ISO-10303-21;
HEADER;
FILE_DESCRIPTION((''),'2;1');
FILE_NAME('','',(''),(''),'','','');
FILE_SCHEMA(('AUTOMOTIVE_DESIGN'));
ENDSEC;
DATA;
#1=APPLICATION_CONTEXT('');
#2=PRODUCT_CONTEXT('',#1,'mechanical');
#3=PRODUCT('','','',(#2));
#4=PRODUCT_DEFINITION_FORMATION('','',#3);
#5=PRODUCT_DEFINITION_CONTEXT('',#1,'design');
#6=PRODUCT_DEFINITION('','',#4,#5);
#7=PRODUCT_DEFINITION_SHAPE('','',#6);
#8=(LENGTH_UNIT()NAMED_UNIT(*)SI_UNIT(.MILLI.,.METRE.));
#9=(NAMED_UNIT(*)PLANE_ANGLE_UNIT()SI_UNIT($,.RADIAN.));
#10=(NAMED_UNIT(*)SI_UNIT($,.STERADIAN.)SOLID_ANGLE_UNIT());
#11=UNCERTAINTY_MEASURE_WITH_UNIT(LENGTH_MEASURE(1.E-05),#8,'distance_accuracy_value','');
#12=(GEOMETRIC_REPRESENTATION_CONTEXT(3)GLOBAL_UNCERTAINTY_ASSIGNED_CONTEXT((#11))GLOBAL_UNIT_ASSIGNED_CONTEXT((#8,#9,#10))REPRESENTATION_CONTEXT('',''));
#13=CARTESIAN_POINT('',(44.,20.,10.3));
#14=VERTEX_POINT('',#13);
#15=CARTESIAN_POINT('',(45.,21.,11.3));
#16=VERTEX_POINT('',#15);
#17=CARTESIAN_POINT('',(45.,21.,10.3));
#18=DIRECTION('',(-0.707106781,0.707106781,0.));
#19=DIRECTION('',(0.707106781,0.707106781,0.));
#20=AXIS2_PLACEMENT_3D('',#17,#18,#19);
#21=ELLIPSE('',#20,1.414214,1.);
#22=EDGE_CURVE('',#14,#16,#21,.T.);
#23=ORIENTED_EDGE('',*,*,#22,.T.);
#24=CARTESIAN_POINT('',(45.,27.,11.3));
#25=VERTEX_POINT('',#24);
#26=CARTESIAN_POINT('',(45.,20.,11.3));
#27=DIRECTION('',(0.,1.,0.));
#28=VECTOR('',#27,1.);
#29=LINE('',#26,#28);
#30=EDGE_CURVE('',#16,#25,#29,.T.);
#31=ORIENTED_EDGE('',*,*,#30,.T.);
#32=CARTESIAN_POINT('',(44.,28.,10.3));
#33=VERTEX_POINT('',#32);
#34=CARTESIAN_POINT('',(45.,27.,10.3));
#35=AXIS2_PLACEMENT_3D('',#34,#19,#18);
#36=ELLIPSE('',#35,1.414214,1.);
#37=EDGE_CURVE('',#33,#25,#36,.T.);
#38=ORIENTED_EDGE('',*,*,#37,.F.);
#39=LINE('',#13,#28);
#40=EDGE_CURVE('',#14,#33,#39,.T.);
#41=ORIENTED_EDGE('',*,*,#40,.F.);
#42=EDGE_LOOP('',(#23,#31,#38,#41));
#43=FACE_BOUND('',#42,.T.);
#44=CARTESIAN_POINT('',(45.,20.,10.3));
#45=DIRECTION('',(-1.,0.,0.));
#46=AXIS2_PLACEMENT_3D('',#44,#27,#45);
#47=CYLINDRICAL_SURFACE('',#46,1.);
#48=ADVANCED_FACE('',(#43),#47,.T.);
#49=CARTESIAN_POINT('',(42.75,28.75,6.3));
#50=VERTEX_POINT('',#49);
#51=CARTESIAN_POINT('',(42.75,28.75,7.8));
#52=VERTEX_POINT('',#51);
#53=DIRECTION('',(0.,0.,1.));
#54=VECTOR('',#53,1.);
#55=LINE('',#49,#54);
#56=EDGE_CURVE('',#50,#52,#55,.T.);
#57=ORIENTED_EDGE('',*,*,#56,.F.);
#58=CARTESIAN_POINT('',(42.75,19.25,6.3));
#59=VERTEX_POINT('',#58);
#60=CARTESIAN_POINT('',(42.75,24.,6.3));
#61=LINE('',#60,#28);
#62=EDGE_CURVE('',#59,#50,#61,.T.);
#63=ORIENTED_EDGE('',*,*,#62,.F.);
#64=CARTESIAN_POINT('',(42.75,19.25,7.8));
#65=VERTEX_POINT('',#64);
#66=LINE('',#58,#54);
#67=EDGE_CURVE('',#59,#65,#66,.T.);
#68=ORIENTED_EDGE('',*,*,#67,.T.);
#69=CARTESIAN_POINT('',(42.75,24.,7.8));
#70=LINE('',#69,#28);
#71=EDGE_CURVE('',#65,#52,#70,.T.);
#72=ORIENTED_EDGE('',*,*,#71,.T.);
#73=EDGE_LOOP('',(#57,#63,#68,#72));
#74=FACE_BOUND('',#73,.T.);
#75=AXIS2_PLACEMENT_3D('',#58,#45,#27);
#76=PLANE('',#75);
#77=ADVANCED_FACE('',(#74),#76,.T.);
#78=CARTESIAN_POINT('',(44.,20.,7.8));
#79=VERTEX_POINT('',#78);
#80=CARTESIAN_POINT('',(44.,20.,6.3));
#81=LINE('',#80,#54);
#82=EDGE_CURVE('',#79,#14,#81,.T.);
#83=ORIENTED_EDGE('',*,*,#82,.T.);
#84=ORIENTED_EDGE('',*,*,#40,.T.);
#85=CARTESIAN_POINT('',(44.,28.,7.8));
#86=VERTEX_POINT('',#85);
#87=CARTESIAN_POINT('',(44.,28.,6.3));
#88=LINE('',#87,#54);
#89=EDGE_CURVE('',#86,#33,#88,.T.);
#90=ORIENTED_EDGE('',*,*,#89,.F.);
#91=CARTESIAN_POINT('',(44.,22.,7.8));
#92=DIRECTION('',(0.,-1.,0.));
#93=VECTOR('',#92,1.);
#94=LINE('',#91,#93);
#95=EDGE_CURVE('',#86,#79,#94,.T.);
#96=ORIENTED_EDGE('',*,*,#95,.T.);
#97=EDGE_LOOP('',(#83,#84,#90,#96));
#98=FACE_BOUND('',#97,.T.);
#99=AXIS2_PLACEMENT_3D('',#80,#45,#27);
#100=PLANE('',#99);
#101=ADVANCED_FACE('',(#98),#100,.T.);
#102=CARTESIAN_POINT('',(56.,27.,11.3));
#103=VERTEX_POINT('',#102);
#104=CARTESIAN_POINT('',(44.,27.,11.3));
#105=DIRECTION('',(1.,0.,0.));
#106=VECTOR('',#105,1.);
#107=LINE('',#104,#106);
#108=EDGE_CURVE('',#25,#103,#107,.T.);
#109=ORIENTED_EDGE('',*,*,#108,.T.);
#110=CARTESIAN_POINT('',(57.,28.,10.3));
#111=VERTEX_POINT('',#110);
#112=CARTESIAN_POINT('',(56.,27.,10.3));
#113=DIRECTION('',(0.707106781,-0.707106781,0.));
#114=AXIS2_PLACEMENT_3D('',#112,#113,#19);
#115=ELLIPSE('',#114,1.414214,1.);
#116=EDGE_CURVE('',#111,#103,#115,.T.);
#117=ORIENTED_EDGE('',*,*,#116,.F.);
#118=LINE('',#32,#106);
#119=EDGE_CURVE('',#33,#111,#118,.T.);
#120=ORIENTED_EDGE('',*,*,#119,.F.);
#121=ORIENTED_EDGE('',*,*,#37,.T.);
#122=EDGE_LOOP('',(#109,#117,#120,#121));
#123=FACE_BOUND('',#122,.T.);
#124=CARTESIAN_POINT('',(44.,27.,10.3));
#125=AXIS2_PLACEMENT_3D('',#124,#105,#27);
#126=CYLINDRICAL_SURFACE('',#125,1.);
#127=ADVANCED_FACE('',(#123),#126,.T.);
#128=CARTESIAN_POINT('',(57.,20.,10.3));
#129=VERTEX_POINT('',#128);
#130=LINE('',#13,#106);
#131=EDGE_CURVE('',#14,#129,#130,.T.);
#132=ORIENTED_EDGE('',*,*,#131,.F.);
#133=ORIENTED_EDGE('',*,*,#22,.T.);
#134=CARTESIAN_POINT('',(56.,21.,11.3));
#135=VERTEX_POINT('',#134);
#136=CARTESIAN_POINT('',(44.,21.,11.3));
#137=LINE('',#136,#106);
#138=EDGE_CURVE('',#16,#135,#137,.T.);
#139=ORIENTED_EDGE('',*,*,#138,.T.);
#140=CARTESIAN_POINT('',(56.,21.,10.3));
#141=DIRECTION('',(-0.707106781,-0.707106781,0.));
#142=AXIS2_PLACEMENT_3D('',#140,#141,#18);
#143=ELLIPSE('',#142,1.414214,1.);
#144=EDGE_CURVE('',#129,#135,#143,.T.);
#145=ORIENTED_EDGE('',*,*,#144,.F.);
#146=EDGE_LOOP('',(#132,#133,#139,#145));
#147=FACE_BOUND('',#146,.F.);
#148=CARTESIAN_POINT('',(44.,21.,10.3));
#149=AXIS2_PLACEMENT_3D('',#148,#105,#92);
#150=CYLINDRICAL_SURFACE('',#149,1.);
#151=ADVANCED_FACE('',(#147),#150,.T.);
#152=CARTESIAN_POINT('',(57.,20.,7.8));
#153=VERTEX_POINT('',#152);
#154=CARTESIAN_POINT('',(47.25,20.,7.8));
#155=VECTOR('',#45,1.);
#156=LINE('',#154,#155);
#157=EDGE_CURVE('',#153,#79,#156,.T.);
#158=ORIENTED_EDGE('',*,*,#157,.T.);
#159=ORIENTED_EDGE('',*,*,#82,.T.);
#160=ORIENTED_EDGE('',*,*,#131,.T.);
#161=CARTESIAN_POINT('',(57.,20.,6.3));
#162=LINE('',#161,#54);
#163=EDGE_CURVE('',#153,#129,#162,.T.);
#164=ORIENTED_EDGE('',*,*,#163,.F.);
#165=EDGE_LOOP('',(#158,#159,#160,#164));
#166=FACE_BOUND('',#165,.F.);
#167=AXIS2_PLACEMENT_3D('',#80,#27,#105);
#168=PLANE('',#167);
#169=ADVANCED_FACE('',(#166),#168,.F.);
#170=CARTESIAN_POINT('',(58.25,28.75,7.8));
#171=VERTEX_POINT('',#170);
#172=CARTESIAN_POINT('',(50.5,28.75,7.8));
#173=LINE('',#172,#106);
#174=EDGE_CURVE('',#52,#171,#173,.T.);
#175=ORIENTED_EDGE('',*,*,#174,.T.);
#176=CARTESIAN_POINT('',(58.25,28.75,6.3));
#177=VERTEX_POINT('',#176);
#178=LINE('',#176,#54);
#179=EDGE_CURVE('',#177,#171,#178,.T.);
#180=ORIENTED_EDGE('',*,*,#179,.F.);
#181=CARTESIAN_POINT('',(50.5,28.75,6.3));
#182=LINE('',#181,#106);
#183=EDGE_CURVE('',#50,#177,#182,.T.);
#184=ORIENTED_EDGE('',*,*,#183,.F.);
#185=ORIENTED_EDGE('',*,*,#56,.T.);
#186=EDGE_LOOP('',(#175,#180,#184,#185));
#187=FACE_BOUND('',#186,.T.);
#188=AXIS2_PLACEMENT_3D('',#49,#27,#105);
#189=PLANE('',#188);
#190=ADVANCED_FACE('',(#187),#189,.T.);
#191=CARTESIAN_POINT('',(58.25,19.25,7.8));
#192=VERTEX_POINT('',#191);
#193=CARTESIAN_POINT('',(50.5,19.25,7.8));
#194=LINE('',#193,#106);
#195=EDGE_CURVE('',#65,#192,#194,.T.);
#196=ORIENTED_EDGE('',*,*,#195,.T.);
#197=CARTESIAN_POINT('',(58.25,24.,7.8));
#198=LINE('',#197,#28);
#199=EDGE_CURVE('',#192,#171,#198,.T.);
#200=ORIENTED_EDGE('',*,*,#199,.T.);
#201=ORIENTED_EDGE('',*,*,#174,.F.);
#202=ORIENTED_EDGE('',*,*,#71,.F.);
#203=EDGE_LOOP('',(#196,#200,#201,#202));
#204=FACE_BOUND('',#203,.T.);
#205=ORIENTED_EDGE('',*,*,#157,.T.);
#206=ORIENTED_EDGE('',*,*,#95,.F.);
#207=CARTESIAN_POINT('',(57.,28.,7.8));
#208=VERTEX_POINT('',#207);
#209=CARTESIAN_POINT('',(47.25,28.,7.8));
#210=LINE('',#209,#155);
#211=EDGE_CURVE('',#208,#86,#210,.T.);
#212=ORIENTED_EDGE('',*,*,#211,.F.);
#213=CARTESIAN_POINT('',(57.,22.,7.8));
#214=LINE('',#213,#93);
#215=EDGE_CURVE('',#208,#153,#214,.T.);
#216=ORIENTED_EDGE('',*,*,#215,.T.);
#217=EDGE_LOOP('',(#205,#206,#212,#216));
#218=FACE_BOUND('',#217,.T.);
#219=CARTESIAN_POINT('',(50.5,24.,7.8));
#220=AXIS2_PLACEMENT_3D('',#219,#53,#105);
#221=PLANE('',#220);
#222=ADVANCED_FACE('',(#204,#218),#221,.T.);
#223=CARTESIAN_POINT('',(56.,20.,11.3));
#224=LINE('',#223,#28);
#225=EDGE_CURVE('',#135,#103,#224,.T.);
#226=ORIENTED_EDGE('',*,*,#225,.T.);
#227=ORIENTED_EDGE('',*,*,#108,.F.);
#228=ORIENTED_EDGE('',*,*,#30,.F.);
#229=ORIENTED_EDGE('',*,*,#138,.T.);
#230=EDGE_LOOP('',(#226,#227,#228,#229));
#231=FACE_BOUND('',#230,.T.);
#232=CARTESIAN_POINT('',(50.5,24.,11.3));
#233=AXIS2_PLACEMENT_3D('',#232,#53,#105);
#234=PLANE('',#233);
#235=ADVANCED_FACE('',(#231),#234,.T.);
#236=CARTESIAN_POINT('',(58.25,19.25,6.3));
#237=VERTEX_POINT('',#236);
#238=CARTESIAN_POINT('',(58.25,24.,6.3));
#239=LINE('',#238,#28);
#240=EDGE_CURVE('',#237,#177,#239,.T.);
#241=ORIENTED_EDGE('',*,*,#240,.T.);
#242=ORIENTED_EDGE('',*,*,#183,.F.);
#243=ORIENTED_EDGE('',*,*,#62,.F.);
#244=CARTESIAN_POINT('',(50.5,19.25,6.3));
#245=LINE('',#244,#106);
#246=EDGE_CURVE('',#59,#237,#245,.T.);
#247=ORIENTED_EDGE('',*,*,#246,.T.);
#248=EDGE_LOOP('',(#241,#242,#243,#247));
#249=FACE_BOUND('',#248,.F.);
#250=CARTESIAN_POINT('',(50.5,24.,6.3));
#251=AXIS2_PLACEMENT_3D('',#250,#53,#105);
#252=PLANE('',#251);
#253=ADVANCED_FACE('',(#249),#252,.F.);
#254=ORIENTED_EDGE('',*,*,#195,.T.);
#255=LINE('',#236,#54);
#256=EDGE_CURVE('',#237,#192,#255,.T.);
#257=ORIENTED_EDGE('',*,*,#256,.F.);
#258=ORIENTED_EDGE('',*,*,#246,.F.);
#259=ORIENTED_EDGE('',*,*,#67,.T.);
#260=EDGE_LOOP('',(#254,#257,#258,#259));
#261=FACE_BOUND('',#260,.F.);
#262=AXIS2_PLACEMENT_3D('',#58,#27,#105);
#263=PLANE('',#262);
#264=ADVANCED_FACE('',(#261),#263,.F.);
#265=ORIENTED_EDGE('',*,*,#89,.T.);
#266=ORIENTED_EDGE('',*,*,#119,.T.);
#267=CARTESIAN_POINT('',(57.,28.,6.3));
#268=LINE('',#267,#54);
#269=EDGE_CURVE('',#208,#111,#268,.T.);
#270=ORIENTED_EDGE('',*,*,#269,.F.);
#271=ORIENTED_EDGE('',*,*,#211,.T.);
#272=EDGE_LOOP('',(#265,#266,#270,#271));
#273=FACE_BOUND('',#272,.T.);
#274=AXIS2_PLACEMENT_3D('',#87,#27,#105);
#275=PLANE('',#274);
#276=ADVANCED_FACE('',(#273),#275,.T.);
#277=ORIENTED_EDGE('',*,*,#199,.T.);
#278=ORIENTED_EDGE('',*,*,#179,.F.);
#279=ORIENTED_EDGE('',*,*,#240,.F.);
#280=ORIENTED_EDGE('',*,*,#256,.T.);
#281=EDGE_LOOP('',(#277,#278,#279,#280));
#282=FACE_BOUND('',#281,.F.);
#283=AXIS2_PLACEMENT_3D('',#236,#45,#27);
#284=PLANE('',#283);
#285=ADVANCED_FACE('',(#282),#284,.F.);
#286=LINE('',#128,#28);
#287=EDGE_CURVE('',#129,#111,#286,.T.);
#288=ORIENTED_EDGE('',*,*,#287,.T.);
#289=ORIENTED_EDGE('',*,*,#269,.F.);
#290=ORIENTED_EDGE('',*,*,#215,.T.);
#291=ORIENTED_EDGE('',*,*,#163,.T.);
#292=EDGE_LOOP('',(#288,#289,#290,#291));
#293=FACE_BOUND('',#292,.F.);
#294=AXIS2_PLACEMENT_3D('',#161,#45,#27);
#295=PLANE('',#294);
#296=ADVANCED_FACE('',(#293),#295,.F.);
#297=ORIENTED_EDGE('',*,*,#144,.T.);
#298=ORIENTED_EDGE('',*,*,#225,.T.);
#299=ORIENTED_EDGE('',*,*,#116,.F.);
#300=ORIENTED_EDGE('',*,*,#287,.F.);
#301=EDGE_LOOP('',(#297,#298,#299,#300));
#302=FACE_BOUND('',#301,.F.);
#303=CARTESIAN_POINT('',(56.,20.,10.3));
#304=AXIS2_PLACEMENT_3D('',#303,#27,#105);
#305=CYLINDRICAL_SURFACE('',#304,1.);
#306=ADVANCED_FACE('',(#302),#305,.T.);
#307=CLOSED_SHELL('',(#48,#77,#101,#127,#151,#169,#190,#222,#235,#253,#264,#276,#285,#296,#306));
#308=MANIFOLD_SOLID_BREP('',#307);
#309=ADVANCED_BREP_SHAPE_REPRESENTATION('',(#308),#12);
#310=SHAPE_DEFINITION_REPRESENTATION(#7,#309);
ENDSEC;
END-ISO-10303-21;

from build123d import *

# Parameters (mm, degrees)
BOX201_W     = 13
BOX201_H     = 8
BOX201_DEPTH = 5
FILLET048_R  = 1
BOX203_W     = 15.5
BOX203_H     = 9.5
BOX203_DEPTH = 1.5


with BuildPart() as fillet048:
    # Box201 → Box201 (new body)
    with BuildSketch(Plane(origin=(44, 20, 6.3), x_dir=(1, 0, 0), z_dir=(0, 0, 1))):
        with Locations((6.5, 4)):
            Rectangle(BOX201_W, BOX201_H)
    extrude(amount=BOX201_DEPTH)

    # Fillet048
    fillet048_edges = [fillet048.edges().sort_by_distance(p)[0] for p in [
        (44, 24, 11.3),
        (57, 24, 11.3),
        (50.5, 20, 11.3),
        (50.5, 28, 11.3),
    ]]
    fillet(fillet048_edges, radius=FILLET048_R)


with BuildPart() as fusion062:
    # Box203 → Box203 (new body)
    with BuildSketch(Plane(origin=(42.75, 19.25, 6.3), x_dir=(1, 0, 0), z_dir=(0, 0, 1))):
        with Locations((7.75, 4.75)):
            Rectangle(BOX203_W, BOX203_H)
    extrude(amount=BOX203_DEPTH)

    # Fusion062: union Fillet048
    add(fillet048.part)


solid = fusion062.part
